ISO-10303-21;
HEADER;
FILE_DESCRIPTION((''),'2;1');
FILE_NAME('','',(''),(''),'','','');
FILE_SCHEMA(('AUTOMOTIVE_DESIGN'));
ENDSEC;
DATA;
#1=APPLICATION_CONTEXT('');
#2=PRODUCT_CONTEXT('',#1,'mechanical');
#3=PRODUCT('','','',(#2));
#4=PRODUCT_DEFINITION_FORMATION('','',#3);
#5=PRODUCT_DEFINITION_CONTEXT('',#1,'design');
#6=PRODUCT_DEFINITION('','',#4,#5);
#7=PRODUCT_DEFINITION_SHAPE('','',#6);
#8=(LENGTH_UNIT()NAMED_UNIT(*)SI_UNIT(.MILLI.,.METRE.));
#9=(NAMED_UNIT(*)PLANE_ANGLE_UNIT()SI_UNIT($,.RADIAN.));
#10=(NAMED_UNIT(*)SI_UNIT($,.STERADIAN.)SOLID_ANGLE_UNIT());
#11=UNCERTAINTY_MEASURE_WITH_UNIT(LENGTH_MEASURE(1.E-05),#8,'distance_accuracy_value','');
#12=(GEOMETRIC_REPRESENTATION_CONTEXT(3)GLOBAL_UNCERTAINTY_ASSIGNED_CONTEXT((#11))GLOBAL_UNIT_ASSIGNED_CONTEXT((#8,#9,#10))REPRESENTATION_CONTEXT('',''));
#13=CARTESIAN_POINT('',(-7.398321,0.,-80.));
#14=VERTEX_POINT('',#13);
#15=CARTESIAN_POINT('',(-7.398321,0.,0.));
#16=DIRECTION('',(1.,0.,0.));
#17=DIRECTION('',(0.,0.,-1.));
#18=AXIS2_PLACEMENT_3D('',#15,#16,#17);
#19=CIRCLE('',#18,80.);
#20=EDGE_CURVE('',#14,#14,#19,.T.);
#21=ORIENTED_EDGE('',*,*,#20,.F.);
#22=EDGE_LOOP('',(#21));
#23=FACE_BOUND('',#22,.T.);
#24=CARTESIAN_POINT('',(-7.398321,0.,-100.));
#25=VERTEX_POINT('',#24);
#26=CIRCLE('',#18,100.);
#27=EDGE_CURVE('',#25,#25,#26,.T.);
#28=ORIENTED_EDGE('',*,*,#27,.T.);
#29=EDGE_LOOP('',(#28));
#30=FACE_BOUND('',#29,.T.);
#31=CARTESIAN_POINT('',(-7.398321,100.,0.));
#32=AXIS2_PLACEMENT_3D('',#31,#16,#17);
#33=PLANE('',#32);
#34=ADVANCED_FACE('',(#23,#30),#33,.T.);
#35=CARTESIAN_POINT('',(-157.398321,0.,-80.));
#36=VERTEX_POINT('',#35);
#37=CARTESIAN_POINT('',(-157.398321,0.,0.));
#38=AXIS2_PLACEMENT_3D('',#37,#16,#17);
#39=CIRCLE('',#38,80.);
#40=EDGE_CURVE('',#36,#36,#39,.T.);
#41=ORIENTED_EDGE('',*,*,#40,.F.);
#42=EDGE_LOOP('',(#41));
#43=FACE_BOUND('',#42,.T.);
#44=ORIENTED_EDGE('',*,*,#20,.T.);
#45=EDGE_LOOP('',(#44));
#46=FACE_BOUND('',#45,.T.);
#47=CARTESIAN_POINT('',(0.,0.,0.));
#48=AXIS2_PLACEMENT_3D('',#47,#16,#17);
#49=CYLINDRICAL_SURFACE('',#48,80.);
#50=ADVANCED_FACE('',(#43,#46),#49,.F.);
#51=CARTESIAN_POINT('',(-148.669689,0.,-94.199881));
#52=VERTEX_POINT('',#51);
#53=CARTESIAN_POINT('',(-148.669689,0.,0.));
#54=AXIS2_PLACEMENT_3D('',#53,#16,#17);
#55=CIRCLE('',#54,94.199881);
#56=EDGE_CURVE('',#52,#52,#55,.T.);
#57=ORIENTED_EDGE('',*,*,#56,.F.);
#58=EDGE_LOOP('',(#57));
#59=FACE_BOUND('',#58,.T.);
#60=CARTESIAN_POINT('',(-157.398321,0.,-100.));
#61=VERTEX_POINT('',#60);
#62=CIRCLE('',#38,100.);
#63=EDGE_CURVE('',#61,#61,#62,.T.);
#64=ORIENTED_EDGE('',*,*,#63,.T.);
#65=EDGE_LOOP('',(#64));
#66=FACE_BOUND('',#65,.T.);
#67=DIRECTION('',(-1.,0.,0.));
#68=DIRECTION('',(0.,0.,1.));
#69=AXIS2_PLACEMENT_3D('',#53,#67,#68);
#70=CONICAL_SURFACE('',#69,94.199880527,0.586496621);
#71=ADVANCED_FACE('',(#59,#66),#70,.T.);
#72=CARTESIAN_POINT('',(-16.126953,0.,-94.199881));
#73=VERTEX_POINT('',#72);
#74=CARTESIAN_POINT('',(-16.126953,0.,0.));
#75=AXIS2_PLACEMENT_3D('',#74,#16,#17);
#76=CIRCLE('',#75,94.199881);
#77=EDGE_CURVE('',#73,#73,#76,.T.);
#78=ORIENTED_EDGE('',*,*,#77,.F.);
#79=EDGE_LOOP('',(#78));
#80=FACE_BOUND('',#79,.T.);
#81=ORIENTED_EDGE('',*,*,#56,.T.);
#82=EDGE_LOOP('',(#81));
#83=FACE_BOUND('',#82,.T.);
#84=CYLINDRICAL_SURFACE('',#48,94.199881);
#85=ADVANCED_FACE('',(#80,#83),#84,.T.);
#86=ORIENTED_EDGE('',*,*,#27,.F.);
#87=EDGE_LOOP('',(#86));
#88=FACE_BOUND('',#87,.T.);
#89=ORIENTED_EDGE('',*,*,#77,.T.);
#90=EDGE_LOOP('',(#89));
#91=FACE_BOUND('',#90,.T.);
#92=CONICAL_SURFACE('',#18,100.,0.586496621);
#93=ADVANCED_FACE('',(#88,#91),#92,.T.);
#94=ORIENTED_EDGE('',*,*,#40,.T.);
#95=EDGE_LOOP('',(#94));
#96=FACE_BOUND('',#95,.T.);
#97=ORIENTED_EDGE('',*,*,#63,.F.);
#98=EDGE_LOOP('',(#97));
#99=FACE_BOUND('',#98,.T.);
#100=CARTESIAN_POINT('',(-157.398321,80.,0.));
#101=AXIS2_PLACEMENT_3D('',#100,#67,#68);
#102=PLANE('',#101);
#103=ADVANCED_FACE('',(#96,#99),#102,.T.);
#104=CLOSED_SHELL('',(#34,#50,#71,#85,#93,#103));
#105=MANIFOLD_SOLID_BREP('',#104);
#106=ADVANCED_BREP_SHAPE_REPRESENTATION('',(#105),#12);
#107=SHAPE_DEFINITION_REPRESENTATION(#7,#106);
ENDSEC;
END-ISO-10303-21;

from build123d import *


with BuildPart() as part:
    # Sketch1 → Revolve1 (revolve)
    with BuildSketch(Plane.XY, mode=Mode.PRIVATE) as revolve1_sk:
        Polygon((-7.398321298, 80), (-157.398321298, 80), (-157.398321298, 100), (-148.669689441, 94.199880527), (-16.126953155, 94.199880527), (-7.398321298, 100), align=None)
    revolve(revolve1_sk.sketch.rotate(Axis((0, 0, 0), (-1, 0, 0)), 90), axis=Axis((0, 0, 0), (-1, 0, 0)))


solid = part.part
